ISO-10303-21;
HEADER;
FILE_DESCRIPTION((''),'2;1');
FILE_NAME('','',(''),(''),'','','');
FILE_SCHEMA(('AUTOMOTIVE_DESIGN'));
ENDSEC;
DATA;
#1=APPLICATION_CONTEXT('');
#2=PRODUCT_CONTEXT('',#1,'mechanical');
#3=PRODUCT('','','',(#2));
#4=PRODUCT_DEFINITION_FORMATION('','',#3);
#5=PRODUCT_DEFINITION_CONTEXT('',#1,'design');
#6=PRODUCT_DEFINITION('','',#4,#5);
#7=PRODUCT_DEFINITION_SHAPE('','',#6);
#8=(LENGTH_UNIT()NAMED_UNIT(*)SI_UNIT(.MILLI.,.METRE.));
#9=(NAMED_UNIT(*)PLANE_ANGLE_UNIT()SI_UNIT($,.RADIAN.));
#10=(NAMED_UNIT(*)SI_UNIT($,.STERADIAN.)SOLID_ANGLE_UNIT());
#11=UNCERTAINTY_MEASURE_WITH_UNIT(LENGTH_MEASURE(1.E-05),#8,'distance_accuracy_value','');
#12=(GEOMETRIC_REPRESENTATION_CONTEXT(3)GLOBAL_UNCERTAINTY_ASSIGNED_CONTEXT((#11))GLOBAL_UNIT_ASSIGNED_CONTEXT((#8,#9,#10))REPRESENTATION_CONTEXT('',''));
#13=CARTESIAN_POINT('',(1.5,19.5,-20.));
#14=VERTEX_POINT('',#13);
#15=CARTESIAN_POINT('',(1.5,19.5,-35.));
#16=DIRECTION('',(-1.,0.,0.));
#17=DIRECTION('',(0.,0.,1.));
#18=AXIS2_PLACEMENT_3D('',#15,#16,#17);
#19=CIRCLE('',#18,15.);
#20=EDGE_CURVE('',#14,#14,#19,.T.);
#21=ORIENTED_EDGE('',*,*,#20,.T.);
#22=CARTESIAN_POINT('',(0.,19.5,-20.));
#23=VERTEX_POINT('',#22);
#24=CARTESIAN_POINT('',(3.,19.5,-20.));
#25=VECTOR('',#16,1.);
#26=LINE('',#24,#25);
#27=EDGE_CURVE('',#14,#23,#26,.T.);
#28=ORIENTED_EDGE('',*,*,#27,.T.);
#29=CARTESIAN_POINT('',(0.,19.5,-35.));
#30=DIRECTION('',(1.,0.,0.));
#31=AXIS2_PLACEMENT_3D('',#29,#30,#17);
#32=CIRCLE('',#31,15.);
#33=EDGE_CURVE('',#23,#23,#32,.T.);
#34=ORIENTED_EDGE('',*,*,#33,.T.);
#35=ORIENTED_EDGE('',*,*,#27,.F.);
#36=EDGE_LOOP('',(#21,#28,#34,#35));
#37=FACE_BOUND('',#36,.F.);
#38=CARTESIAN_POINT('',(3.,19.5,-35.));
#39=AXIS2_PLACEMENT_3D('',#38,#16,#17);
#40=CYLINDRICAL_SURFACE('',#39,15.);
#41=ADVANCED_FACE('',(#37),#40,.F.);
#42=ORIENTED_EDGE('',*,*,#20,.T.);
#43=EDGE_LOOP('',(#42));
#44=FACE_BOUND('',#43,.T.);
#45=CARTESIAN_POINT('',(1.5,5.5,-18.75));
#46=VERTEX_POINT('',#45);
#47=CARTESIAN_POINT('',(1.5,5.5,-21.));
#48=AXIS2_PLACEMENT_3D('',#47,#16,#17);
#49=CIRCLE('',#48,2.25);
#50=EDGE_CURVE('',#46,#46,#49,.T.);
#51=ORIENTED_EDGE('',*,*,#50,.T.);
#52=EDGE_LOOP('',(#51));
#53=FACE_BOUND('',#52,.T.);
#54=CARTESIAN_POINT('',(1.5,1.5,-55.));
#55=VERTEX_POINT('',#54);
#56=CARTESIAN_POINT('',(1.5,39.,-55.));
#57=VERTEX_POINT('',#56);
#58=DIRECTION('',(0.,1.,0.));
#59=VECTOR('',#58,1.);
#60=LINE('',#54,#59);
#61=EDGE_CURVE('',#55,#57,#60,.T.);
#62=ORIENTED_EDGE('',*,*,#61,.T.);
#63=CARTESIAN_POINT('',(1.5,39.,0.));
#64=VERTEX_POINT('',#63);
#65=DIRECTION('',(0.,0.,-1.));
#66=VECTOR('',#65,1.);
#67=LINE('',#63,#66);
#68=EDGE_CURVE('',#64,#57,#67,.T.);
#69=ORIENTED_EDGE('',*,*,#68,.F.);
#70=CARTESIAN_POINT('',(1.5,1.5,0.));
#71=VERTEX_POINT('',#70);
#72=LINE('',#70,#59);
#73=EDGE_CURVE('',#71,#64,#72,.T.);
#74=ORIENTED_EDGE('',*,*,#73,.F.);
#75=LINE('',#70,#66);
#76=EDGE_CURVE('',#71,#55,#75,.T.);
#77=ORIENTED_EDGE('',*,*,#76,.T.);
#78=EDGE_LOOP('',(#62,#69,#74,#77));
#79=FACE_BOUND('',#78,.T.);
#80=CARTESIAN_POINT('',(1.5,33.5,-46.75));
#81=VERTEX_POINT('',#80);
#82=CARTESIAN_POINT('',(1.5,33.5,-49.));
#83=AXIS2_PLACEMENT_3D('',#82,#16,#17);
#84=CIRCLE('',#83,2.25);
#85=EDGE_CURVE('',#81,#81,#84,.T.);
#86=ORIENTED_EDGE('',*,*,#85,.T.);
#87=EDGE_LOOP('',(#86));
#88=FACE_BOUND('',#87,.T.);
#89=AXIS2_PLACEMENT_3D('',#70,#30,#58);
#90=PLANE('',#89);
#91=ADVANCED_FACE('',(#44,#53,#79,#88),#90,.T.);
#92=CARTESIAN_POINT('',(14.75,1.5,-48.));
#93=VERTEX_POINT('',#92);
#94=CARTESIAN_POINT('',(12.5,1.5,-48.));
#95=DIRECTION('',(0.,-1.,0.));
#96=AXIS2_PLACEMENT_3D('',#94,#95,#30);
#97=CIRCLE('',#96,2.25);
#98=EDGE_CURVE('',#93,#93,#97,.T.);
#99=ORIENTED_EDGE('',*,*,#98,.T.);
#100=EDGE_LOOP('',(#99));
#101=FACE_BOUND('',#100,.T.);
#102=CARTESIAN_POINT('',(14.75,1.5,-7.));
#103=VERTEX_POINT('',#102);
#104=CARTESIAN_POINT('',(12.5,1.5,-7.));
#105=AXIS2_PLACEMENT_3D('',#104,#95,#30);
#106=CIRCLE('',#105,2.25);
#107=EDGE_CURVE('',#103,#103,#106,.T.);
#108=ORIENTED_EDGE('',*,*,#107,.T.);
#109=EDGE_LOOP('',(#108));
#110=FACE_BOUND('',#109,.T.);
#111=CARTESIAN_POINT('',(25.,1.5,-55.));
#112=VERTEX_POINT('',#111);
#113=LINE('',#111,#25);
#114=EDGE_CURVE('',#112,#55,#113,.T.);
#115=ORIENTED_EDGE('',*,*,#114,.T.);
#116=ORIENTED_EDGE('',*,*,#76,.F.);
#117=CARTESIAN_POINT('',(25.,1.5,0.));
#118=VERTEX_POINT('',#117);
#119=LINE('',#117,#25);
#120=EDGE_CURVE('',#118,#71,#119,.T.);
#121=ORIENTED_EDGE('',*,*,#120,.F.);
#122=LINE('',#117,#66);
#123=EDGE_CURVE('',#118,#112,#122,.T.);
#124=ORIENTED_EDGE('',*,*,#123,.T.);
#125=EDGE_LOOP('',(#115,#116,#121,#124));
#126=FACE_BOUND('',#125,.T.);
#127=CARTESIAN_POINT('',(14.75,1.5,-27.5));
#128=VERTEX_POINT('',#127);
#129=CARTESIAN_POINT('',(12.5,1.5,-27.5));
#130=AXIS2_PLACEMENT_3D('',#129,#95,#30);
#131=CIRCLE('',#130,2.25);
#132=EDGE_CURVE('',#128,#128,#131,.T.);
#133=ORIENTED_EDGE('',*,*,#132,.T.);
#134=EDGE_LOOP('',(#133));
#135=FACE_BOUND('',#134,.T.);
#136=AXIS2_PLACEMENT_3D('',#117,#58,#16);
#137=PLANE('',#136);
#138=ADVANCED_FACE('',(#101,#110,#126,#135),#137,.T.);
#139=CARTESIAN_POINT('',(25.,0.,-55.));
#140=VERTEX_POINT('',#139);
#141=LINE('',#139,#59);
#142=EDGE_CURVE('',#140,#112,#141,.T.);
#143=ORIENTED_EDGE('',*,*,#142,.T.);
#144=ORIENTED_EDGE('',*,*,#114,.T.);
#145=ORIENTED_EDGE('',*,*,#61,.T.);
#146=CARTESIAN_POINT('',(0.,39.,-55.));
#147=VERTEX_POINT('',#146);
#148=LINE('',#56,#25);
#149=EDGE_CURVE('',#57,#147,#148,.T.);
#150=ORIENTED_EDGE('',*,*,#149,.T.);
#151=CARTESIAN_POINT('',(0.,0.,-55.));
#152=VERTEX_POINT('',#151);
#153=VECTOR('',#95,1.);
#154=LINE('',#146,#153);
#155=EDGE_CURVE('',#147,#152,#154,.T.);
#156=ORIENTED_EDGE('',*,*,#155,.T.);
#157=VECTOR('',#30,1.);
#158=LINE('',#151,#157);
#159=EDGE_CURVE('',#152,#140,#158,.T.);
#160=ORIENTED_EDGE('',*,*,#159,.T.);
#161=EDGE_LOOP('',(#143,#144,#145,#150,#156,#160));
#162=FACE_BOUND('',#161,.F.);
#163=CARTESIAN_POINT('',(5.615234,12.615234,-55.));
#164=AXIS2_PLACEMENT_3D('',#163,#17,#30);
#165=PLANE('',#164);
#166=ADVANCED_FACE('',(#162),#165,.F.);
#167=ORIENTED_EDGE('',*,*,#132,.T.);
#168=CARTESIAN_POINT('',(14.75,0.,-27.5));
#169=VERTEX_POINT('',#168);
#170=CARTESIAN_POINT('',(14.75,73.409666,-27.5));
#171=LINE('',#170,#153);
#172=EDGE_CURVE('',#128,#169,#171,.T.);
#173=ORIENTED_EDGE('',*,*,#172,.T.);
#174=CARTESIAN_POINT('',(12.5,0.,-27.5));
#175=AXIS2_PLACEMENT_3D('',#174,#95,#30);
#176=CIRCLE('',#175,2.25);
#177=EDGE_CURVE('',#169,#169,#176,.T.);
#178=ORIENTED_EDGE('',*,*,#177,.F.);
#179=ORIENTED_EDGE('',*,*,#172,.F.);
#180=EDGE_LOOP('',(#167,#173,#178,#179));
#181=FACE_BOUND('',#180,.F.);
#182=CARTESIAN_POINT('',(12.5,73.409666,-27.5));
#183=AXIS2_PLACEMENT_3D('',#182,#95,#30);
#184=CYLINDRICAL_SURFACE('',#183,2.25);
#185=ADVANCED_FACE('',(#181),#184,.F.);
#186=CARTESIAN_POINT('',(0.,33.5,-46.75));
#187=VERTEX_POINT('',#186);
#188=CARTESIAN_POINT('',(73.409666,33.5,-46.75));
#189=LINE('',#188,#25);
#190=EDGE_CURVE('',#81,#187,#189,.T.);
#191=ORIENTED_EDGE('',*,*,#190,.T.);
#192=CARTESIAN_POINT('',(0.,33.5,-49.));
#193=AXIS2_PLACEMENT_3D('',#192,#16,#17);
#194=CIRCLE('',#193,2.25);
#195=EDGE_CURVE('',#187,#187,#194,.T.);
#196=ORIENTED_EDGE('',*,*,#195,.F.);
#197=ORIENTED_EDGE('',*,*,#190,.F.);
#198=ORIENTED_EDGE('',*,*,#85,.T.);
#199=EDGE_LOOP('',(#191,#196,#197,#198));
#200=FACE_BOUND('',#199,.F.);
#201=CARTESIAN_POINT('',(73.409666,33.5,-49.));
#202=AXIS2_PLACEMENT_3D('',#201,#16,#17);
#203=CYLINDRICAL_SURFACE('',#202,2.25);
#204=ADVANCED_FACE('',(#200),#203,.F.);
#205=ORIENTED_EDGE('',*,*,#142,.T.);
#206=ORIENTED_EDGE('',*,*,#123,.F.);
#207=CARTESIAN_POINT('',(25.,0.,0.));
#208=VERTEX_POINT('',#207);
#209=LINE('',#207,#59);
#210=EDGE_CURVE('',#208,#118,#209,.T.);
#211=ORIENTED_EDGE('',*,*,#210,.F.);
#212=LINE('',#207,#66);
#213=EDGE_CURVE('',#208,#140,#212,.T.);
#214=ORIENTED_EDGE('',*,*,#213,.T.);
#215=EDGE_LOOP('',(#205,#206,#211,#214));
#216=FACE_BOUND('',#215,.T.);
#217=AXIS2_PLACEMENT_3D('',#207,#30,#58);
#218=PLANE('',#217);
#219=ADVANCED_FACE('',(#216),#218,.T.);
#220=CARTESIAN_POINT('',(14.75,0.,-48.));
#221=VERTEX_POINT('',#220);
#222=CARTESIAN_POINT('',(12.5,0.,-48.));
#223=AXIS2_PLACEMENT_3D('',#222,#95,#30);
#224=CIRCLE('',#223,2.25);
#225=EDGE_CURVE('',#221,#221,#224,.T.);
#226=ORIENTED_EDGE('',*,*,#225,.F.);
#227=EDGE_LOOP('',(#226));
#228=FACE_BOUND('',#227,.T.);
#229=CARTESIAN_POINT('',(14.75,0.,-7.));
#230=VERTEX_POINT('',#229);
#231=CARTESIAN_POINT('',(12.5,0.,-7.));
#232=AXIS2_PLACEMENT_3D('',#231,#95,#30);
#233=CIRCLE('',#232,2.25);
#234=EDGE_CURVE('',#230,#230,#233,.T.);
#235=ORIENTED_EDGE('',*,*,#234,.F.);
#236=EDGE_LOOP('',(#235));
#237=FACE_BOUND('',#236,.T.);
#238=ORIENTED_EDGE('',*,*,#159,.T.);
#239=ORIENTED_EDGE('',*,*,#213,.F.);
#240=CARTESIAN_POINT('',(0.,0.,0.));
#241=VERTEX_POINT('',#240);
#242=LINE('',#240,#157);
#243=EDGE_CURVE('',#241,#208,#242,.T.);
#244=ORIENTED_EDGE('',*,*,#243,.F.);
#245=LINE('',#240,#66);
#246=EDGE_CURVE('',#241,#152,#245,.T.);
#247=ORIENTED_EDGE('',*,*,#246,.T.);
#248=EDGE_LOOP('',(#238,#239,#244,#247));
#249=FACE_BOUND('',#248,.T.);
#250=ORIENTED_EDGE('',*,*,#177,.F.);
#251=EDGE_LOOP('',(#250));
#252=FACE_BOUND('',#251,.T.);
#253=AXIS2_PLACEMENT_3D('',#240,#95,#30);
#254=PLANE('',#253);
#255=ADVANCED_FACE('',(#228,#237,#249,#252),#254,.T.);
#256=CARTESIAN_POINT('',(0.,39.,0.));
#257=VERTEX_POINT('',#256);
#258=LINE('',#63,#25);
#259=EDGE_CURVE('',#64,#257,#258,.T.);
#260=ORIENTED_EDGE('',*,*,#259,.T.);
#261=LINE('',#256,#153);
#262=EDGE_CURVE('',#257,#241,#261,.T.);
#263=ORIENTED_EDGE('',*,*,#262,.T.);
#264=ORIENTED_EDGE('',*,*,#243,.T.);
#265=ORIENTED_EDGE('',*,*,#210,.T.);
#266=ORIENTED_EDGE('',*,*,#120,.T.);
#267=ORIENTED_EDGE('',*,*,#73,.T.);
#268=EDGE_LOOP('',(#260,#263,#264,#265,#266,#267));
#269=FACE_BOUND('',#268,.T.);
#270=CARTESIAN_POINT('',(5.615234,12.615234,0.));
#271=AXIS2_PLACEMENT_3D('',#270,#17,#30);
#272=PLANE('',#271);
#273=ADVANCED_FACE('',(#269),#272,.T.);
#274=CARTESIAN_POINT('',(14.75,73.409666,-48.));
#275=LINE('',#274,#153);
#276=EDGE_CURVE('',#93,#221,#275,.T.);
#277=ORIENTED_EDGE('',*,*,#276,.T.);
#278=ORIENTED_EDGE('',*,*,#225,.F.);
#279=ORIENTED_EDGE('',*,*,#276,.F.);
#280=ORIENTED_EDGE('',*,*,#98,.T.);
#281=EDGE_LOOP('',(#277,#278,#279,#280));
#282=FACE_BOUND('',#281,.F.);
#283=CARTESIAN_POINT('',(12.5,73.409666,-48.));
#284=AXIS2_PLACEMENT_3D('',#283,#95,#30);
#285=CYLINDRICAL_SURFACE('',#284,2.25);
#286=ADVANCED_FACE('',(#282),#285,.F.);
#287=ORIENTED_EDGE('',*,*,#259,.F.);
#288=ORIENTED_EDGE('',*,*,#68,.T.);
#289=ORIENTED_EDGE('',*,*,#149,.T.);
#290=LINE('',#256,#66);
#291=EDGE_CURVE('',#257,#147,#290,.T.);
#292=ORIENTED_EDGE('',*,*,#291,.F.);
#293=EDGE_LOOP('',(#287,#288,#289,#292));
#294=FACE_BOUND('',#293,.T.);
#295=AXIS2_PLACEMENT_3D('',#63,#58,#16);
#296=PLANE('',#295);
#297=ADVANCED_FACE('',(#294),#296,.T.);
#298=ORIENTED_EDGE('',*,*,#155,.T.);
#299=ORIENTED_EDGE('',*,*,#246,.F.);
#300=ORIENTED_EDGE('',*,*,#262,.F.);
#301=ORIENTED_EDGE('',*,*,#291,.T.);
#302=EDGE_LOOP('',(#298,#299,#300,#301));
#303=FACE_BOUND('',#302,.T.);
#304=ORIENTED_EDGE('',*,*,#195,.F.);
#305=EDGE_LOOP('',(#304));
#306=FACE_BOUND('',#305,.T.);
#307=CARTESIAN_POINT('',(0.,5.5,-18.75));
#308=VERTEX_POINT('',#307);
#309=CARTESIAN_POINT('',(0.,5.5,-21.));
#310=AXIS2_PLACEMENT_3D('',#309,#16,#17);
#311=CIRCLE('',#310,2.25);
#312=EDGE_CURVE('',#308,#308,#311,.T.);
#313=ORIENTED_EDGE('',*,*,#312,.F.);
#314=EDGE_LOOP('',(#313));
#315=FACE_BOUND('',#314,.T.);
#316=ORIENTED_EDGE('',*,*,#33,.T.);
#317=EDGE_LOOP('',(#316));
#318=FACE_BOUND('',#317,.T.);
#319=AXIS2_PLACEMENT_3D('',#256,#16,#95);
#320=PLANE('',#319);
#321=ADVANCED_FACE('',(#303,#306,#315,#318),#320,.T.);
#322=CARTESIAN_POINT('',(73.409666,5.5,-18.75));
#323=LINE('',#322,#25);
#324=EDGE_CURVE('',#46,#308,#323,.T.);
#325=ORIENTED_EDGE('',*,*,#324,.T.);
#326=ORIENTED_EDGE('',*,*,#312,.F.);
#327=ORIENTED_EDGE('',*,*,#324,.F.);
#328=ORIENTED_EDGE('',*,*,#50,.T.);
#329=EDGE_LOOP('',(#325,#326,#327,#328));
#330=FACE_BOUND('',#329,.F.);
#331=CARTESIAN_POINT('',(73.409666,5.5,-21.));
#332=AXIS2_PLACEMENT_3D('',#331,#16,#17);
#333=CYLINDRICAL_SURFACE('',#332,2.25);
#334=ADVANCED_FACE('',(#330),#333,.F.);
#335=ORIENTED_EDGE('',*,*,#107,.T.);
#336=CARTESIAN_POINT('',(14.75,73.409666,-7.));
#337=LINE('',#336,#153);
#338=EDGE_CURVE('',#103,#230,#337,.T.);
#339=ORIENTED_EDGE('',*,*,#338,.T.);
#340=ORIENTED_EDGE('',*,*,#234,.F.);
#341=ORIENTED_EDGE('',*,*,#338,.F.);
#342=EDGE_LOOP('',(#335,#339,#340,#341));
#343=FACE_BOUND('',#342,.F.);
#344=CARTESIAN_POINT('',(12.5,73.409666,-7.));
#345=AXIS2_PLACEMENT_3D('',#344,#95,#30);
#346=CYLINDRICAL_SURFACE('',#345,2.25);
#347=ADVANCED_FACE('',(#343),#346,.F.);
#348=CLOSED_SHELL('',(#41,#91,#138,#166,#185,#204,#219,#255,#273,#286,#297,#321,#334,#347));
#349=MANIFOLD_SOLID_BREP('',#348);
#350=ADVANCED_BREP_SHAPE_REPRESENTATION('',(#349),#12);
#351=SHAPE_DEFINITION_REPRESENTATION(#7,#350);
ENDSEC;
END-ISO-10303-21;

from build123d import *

# Parameters (mm, degrees)
EXTRU_MINCE1_DEPTH    = 55
D_GAGEMENT_M41_D      = 4.5
D_GAGEMENT_M42_D      = 4.5
D_GAGEMENT_M271_D     = 30
D_GAGEMENT_M271_DEPTH = 1.5
D_GAGEMENT_M271_TIP   = 9.012909285


with BuildPart() as part:
    # Esquisse1 → Extru.-Mince1 (new body)
    with BuildSketch(Plane.XY):
        Polygon((0, 39), (0, 0), (25, 0), (25, 1.5), (1.5, 1.5), (1.5, 39), align=None)
    extrude(amount=-EXTRU_MINCE1_DEPTH)

    # Dégagement M41 (through all)
    with Locations(Plane(origin=(0, 1.5, 0), x_dir=(-1, 0, 0), z_dir=(0, 1, 0))):
        with Locations((-12.5, -7), (-12.5, -27.5), (-12.5, -48)):
            Hole(D_GAGEMENT_M41_D / 2)

    # Dégagement M42 (through all)
    with Locations(Plane(origin=(1.5, 0, 0), x_dir=(0, 0, -1), z_dir=(1, 0, 0))):
        with Locations((49, 33.5), (21, 5.5)):
            Hole(D_GAGEMENT_M42_D / 2)

    # Dégagement M271
    with Locations(Plane(origin=(1.5, 0, 0), x_dir=(0, 0, -1), z_dir=(1, 0, 0))):
        with Locations((35, 19.5)):
            Hole(D_GAGEMENT_M271_D / 2, depth=D_GAGEMENT_M271_DEPTH)
            with Locations((0, 0, -(D_GAGEMENT_M271_DEPTH + D_GAGEMENT_M271_TIP / 2))):  # 118° drill point
                Cone(0, D_GAGEMENT_M271_D / 2, D_GAGEMENT_M271_TIP, mode=Mode.SUBTRACT)


solid = part.part
